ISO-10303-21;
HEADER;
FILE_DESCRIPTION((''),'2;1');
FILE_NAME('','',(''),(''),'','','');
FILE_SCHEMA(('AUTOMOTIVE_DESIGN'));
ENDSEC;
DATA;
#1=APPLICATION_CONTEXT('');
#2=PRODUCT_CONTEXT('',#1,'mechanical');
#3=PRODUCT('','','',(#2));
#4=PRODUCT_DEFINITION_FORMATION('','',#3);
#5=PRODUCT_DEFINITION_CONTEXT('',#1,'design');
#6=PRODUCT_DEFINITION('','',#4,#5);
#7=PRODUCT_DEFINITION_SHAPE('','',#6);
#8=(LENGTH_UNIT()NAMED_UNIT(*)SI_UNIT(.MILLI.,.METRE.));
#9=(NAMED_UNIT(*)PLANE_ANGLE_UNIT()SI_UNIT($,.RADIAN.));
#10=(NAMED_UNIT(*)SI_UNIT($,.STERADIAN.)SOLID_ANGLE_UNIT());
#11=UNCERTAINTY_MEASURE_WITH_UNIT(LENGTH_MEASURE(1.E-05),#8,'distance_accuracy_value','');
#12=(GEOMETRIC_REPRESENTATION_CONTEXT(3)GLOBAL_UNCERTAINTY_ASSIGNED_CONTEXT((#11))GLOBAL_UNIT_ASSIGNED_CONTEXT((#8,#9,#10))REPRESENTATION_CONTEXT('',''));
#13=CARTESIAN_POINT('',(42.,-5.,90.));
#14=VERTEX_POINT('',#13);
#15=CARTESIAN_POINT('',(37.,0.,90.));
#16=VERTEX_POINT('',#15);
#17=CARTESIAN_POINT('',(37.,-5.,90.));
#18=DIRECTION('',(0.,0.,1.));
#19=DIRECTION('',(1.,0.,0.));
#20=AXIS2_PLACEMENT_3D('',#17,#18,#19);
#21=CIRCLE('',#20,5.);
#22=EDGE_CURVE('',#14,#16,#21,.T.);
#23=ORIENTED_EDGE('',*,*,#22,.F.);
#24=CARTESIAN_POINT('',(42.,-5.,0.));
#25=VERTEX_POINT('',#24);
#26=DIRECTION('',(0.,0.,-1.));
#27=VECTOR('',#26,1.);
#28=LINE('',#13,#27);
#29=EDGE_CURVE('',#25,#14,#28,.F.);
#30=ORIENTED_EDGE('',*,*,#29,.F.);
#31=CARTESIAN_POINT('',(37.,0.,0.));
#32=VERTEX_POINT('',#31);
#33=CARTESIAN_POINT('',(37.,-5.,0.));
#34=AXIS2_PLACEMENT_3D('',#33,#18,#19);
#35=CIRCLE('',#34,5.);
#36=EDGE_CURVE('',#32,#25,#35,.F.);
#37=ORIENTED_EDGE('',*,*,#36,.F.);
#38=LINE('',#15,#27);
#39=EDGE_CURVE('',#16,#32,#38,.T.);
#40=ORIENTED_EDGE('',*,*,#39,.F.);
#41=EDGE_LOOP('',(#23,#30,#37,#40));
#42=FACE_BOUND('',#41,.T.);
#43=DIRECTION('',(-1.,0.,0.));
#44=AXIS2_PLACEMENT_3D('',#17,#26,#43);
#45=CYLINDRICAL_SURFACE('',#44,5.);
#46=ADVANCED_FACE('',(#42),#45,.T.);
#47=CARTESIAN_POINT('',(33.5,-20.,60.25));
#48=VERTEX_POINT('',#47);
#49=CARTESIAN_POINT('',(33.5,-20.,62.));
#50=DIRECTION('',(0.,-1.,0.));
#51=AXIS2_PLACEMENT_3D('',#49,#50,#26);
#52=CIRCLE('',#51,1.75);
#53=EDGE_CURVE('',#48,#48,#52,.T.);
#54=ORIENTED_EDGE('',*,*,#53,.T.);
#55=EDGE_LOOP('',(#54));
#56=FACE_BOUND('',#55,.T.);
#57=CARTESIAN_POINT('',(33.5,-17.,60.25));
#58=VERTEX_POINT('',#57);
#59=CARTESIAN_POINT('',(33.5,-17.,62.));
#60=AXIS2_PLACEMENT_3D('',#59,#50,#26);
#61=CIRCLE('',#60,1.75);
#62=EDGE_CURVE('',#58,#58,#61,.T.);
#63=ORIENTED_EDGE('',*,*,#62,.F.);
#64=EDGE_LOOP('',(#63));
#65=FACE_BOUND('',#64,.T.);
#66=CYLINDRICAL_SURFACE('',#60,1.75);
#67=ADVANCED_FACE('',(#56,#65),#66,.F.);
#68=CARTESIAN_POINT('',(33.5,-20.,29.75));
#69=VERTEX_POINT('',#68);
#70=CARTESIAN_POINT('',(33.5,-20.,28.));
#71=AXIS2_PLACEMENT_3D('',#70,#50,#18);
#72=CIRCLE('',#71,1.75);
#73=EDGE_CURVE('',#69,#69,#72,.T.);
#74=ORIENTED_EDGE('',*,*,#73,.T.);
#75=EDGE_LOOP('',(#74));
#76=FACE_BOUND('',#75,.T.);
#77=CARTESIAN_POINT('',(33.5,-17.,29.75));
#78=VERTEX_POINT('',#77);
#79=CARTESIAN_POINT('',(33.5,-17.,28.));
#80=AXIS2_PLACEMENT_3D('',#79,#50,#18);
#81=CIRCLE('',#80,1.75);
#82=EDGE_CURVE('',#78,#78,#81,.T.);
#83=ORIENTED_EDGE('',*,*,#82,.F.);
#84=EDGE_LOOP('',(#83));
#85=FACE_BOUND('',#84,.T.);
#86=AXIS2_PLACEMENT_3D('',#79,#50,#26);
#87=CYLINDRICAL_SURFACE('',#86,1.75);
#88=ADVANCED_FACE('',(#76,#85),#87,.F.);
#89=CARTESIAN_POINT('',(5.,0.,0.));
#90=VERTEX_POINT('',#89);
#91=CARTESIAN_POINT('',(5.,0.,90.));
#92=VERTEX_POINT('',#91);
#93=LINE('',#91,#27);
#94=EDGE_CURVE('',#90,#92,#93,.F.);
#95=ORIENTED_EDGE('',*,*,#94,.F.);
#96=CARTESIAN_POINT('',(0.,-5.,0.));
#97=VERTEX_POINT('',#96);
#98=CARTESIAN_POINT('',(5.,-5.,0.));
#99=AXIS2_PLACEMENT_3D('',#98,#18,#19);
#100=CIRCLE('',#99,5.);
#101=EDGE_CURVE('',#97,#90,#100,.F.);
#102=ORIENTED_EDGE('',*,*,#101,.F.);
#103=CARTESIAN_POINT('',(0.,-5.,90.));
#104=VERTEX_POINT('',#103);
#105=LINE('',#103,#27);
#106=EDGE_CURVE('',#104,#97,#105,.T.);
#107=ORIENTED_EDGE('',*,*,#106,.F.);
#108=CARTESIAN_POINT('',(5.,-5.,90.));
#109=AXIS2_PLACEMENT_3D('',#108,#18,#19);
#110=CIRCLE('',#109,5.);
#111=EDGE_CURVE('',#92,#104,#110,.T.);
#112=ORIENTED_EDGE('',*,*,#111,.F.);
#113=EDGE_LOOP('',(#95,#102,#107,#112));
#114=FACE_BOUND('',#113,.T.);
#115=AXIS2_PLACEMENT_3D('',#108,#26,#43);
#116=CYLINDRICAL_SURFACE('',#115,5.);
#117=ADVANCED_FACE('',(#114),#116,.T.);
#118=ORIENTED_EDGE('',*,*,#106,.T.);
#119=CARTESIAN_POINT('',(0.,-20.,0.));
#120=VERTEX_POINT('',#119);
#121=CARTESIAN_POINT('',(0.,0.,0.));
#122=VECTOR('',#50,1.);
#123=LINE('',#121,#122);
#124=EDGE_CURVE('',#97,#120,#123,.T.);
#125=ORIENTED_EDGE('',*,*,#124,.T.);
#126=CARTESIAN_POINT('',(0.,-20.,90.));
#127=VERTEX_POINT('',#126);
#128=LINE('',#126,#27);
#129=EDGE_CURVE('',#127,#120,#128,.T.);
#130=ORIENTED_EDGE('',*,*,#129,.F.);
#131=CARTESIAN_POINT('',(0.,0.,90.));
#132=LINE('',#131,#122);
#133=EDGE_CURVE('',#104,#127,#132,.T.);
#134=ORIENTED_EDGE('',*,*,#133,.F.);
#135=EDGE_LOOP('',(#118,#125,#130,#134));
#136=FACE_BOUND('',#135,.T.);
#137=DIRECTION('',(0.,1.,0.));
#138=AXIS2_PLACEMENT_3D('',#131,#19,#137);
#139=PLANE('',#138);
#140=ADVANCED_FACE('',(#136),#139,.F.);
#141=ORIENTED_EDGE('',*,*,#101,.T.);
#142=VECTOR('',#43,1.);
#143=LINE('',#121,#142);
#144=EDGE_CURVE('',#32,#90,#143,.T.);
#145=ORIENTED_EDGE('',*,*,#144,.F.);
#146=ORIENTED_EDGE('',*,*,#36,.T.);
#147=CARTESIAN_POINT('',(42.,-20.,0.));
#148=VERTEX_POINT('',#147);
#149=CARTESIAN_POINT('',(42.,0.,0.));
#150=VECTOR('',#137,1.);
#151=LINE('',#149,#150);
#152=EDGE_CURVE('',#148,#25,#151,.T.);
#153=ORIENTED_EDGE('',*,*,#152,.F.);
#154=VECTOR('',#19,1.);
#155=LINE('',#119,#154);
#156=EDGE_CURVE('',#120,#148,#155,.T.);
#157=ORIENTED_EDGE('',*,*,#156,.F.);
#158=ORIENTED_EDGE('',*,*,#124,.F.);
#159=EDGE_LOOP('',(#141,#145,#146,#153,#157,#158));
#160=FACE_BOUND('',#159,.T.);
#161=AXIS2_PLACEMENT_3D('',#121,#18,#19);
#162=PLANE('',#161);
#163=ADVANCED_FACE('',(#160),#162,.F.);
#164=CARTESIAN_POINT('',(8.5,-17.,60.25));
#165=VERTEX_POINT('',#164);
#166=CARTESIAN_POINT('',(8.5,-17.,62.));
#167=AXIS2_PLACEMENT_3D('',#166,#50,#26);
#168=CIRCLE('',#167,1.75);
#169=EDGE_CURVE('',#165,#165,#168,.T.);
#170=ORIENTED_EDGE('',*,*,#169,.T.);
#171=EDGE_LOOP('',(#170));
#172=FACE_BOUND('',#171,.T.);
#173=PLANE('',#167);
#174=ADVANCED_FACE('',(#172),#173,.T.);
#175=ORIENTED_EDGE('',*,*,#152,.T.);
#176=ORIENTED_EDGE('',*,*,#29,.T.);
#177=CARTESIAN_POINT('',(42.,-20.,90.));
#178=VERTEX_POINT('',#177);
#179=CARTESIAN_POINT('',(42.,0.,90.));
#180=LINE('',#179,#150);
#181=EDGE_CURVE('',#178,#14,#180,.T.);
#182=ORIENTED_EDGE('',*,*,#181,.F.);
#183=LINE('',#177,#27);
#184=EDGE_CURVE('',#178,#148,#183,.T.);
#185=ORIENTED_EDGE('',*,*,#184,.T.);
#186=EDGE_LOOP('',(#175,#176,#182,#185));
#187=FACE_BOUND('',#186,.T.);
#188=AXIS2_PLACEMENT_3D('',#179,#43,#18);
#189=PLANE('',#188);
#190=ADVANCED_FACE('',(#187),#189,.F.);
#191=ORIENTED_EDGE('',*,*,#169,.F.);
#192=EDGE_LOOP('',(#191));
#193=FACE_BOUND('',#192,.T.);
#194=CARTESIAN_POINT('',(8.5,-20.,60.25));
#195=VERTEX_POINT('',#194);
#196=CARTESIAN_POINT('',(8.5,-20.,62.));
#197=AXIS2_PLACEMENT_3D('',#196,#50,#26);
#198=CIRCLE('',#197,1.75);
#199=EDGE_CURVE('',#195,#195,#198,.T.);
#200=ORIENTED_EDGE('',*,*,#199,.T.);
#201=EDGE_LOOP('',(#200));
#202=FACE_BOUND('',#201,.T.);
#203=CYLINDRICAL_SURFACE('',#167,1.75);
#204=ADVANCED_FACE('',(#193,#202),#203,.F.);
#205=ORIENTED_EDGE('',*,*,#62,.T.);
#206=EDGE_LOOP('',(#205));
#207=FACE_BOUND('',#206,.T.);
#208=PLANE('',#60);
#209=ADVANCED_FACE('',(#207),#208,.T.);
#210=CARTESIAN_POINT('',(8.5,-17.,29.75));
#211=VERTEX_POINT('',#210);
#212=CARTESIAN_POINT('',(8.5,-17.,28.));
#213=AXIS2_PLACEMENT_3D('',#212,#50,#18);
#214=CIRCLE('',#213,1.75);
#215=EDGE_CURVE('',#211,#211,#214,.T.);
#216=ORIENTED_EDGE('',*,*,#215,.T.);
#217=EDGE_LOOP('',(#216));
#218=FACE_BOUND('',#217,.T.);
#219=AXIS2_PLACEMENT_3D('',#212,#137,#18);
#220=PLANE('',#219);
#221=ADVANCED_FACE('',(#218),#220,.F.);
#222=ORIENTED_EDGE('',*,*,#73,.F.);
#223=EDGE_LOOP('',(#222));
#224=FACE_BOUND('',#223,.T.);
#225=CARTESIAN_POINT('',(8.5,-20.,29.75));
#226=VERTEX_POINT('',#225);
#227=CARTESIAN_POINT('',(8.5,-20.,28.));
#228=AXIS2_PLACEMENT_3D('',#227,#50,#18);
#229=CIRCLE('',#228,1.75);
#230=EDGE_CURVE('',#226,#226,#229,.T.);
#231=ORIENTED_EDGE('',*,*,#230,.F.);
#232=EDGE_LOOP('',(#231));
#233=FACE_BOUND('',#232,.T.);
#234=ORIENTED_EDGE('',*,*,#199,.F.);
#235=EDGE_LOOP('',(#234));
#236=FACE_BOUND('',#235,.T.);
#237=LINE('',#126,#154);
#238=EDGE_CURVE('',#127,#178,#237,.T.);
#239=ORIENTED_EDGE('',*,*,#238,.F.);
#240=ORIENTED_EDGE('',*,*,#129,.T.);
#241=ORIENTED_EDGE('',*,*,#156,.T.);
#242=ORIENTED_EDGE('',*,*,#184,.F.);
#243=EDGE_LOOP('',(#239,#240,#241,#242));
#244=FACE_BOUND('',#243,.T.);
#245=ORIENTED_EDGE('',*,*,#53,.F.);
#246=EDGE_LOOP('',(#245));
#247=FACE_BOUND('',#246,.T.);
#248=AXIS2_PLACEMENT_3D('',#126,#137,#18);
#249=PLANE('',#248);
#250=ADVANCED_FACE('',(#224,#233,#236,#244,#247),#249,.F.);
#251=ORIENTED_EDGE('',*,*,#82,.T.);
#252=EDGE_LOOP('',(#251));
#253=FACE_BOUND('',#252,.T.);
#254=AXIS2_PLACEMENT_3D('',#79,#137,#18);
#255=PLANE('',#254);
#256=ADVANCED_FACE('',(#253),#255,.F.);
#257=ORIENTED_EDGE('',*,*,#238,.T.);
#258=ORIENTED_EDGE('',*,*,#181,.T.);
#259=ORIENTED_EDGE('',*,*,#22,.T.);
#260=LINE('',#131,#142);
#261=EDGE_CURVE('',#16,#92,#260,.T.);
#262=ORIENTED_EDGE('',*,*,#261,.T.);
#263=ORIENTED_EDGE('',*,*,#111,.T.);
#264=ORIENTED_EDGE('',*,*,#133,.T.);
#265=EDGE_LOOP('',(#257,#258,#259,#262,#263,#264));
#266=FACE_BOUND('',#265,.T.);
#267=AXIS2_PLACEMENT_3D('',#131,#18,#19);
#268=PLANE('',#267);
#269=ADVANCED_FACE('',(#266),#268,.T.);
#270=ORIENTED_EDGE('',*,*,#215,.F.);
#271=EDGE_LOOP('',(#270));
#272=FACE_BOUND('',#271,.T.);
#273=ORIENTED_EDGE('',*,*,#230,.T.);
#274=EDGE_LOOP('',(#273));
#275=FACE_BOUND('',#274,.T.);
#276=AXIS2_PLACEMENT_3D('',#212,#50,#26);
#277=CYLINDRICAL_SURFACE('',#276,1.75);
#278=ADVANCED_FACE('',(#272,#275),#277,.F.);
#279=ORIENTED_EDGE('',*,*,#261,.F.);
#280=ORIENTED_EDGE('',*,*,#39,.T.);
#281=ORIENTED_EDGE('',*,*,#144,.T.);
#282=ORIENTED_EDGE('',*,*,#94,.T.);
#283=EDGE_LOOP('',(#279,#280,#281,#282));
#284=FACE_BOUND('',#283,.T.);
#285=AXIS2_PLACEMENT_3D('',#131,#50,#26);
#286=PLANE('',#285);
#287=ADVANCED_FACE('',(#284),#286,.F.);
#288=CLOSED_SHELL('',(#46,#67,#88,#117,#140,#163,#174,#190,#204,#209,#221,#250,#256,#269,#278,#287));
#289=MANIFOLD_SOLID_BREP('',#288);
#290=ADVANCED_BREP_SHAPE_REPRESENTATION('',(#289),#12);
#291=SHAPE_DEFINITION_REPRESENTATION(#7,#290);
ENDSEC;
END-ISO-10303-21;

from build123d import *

# Parameters (mm, degrees)
CROQUIS1_W              = 42
CROQUIS1_H              = 20
SALIENTE_EXTRUIR1_DEPTH = 90
CROQUIS2_R              = 1.75
CORTAR_EXTRUIR1_DEPTH   = 3
REDONDEO1_R             = 5
REDONDEO2_R             = 5


with BuildPart() as part:
    # Croquis1 → Saliente-Extruir1 (new body)
    with BuildSketch(Plane.XY):
        with Locations((21, -10)):
            Rectangle(CROQUIS1_W, CROQUIS1_H)
    extrude(amount=SALIENTE_EXTRUIR1_DEPTH)

    # Croquis2 → Cortar-Extruir1 (cut)
    with BuildSketch(Plane.XZ.offset(20)):
        with Locations(Location((8.5, 62, 0), (0, 0, 270))):
            Circle(CROQUIS2_R)
        with Locations(Location((33.5, 62, 0), (0, 0, 270))):
            Circle(CROQUIS2_R)
        with Locations(Location((33.5, 28, 0), (0, 0, 90))):
            Circle(CROQUIS2_R)
        with Locations(Location((8.5, 28, 0), (0, 0, 90))):
            Circle(CROQUIS2_R)
    extrude(amount=-CORTAR_EXTRUIR1_DEPTH, mode=Mode.SUBTRACT)

    # Redondeo1
    redondeo1_edges = [part.edges().sort_by_distance(p)[0] for p in [
        (42, 0, 45),
    ]]
    fillet(redondeo1_edges, radius=REDONDEO1_R)

    # Redondeo2
    redondeo2_edges = [part.edges().sort_by_distance(p)[0] for p in [
        (0, 0, 45),
    ]]
    fillet(redondeo2_edges, radius=REDONDEO2_R)


solid = part.part
